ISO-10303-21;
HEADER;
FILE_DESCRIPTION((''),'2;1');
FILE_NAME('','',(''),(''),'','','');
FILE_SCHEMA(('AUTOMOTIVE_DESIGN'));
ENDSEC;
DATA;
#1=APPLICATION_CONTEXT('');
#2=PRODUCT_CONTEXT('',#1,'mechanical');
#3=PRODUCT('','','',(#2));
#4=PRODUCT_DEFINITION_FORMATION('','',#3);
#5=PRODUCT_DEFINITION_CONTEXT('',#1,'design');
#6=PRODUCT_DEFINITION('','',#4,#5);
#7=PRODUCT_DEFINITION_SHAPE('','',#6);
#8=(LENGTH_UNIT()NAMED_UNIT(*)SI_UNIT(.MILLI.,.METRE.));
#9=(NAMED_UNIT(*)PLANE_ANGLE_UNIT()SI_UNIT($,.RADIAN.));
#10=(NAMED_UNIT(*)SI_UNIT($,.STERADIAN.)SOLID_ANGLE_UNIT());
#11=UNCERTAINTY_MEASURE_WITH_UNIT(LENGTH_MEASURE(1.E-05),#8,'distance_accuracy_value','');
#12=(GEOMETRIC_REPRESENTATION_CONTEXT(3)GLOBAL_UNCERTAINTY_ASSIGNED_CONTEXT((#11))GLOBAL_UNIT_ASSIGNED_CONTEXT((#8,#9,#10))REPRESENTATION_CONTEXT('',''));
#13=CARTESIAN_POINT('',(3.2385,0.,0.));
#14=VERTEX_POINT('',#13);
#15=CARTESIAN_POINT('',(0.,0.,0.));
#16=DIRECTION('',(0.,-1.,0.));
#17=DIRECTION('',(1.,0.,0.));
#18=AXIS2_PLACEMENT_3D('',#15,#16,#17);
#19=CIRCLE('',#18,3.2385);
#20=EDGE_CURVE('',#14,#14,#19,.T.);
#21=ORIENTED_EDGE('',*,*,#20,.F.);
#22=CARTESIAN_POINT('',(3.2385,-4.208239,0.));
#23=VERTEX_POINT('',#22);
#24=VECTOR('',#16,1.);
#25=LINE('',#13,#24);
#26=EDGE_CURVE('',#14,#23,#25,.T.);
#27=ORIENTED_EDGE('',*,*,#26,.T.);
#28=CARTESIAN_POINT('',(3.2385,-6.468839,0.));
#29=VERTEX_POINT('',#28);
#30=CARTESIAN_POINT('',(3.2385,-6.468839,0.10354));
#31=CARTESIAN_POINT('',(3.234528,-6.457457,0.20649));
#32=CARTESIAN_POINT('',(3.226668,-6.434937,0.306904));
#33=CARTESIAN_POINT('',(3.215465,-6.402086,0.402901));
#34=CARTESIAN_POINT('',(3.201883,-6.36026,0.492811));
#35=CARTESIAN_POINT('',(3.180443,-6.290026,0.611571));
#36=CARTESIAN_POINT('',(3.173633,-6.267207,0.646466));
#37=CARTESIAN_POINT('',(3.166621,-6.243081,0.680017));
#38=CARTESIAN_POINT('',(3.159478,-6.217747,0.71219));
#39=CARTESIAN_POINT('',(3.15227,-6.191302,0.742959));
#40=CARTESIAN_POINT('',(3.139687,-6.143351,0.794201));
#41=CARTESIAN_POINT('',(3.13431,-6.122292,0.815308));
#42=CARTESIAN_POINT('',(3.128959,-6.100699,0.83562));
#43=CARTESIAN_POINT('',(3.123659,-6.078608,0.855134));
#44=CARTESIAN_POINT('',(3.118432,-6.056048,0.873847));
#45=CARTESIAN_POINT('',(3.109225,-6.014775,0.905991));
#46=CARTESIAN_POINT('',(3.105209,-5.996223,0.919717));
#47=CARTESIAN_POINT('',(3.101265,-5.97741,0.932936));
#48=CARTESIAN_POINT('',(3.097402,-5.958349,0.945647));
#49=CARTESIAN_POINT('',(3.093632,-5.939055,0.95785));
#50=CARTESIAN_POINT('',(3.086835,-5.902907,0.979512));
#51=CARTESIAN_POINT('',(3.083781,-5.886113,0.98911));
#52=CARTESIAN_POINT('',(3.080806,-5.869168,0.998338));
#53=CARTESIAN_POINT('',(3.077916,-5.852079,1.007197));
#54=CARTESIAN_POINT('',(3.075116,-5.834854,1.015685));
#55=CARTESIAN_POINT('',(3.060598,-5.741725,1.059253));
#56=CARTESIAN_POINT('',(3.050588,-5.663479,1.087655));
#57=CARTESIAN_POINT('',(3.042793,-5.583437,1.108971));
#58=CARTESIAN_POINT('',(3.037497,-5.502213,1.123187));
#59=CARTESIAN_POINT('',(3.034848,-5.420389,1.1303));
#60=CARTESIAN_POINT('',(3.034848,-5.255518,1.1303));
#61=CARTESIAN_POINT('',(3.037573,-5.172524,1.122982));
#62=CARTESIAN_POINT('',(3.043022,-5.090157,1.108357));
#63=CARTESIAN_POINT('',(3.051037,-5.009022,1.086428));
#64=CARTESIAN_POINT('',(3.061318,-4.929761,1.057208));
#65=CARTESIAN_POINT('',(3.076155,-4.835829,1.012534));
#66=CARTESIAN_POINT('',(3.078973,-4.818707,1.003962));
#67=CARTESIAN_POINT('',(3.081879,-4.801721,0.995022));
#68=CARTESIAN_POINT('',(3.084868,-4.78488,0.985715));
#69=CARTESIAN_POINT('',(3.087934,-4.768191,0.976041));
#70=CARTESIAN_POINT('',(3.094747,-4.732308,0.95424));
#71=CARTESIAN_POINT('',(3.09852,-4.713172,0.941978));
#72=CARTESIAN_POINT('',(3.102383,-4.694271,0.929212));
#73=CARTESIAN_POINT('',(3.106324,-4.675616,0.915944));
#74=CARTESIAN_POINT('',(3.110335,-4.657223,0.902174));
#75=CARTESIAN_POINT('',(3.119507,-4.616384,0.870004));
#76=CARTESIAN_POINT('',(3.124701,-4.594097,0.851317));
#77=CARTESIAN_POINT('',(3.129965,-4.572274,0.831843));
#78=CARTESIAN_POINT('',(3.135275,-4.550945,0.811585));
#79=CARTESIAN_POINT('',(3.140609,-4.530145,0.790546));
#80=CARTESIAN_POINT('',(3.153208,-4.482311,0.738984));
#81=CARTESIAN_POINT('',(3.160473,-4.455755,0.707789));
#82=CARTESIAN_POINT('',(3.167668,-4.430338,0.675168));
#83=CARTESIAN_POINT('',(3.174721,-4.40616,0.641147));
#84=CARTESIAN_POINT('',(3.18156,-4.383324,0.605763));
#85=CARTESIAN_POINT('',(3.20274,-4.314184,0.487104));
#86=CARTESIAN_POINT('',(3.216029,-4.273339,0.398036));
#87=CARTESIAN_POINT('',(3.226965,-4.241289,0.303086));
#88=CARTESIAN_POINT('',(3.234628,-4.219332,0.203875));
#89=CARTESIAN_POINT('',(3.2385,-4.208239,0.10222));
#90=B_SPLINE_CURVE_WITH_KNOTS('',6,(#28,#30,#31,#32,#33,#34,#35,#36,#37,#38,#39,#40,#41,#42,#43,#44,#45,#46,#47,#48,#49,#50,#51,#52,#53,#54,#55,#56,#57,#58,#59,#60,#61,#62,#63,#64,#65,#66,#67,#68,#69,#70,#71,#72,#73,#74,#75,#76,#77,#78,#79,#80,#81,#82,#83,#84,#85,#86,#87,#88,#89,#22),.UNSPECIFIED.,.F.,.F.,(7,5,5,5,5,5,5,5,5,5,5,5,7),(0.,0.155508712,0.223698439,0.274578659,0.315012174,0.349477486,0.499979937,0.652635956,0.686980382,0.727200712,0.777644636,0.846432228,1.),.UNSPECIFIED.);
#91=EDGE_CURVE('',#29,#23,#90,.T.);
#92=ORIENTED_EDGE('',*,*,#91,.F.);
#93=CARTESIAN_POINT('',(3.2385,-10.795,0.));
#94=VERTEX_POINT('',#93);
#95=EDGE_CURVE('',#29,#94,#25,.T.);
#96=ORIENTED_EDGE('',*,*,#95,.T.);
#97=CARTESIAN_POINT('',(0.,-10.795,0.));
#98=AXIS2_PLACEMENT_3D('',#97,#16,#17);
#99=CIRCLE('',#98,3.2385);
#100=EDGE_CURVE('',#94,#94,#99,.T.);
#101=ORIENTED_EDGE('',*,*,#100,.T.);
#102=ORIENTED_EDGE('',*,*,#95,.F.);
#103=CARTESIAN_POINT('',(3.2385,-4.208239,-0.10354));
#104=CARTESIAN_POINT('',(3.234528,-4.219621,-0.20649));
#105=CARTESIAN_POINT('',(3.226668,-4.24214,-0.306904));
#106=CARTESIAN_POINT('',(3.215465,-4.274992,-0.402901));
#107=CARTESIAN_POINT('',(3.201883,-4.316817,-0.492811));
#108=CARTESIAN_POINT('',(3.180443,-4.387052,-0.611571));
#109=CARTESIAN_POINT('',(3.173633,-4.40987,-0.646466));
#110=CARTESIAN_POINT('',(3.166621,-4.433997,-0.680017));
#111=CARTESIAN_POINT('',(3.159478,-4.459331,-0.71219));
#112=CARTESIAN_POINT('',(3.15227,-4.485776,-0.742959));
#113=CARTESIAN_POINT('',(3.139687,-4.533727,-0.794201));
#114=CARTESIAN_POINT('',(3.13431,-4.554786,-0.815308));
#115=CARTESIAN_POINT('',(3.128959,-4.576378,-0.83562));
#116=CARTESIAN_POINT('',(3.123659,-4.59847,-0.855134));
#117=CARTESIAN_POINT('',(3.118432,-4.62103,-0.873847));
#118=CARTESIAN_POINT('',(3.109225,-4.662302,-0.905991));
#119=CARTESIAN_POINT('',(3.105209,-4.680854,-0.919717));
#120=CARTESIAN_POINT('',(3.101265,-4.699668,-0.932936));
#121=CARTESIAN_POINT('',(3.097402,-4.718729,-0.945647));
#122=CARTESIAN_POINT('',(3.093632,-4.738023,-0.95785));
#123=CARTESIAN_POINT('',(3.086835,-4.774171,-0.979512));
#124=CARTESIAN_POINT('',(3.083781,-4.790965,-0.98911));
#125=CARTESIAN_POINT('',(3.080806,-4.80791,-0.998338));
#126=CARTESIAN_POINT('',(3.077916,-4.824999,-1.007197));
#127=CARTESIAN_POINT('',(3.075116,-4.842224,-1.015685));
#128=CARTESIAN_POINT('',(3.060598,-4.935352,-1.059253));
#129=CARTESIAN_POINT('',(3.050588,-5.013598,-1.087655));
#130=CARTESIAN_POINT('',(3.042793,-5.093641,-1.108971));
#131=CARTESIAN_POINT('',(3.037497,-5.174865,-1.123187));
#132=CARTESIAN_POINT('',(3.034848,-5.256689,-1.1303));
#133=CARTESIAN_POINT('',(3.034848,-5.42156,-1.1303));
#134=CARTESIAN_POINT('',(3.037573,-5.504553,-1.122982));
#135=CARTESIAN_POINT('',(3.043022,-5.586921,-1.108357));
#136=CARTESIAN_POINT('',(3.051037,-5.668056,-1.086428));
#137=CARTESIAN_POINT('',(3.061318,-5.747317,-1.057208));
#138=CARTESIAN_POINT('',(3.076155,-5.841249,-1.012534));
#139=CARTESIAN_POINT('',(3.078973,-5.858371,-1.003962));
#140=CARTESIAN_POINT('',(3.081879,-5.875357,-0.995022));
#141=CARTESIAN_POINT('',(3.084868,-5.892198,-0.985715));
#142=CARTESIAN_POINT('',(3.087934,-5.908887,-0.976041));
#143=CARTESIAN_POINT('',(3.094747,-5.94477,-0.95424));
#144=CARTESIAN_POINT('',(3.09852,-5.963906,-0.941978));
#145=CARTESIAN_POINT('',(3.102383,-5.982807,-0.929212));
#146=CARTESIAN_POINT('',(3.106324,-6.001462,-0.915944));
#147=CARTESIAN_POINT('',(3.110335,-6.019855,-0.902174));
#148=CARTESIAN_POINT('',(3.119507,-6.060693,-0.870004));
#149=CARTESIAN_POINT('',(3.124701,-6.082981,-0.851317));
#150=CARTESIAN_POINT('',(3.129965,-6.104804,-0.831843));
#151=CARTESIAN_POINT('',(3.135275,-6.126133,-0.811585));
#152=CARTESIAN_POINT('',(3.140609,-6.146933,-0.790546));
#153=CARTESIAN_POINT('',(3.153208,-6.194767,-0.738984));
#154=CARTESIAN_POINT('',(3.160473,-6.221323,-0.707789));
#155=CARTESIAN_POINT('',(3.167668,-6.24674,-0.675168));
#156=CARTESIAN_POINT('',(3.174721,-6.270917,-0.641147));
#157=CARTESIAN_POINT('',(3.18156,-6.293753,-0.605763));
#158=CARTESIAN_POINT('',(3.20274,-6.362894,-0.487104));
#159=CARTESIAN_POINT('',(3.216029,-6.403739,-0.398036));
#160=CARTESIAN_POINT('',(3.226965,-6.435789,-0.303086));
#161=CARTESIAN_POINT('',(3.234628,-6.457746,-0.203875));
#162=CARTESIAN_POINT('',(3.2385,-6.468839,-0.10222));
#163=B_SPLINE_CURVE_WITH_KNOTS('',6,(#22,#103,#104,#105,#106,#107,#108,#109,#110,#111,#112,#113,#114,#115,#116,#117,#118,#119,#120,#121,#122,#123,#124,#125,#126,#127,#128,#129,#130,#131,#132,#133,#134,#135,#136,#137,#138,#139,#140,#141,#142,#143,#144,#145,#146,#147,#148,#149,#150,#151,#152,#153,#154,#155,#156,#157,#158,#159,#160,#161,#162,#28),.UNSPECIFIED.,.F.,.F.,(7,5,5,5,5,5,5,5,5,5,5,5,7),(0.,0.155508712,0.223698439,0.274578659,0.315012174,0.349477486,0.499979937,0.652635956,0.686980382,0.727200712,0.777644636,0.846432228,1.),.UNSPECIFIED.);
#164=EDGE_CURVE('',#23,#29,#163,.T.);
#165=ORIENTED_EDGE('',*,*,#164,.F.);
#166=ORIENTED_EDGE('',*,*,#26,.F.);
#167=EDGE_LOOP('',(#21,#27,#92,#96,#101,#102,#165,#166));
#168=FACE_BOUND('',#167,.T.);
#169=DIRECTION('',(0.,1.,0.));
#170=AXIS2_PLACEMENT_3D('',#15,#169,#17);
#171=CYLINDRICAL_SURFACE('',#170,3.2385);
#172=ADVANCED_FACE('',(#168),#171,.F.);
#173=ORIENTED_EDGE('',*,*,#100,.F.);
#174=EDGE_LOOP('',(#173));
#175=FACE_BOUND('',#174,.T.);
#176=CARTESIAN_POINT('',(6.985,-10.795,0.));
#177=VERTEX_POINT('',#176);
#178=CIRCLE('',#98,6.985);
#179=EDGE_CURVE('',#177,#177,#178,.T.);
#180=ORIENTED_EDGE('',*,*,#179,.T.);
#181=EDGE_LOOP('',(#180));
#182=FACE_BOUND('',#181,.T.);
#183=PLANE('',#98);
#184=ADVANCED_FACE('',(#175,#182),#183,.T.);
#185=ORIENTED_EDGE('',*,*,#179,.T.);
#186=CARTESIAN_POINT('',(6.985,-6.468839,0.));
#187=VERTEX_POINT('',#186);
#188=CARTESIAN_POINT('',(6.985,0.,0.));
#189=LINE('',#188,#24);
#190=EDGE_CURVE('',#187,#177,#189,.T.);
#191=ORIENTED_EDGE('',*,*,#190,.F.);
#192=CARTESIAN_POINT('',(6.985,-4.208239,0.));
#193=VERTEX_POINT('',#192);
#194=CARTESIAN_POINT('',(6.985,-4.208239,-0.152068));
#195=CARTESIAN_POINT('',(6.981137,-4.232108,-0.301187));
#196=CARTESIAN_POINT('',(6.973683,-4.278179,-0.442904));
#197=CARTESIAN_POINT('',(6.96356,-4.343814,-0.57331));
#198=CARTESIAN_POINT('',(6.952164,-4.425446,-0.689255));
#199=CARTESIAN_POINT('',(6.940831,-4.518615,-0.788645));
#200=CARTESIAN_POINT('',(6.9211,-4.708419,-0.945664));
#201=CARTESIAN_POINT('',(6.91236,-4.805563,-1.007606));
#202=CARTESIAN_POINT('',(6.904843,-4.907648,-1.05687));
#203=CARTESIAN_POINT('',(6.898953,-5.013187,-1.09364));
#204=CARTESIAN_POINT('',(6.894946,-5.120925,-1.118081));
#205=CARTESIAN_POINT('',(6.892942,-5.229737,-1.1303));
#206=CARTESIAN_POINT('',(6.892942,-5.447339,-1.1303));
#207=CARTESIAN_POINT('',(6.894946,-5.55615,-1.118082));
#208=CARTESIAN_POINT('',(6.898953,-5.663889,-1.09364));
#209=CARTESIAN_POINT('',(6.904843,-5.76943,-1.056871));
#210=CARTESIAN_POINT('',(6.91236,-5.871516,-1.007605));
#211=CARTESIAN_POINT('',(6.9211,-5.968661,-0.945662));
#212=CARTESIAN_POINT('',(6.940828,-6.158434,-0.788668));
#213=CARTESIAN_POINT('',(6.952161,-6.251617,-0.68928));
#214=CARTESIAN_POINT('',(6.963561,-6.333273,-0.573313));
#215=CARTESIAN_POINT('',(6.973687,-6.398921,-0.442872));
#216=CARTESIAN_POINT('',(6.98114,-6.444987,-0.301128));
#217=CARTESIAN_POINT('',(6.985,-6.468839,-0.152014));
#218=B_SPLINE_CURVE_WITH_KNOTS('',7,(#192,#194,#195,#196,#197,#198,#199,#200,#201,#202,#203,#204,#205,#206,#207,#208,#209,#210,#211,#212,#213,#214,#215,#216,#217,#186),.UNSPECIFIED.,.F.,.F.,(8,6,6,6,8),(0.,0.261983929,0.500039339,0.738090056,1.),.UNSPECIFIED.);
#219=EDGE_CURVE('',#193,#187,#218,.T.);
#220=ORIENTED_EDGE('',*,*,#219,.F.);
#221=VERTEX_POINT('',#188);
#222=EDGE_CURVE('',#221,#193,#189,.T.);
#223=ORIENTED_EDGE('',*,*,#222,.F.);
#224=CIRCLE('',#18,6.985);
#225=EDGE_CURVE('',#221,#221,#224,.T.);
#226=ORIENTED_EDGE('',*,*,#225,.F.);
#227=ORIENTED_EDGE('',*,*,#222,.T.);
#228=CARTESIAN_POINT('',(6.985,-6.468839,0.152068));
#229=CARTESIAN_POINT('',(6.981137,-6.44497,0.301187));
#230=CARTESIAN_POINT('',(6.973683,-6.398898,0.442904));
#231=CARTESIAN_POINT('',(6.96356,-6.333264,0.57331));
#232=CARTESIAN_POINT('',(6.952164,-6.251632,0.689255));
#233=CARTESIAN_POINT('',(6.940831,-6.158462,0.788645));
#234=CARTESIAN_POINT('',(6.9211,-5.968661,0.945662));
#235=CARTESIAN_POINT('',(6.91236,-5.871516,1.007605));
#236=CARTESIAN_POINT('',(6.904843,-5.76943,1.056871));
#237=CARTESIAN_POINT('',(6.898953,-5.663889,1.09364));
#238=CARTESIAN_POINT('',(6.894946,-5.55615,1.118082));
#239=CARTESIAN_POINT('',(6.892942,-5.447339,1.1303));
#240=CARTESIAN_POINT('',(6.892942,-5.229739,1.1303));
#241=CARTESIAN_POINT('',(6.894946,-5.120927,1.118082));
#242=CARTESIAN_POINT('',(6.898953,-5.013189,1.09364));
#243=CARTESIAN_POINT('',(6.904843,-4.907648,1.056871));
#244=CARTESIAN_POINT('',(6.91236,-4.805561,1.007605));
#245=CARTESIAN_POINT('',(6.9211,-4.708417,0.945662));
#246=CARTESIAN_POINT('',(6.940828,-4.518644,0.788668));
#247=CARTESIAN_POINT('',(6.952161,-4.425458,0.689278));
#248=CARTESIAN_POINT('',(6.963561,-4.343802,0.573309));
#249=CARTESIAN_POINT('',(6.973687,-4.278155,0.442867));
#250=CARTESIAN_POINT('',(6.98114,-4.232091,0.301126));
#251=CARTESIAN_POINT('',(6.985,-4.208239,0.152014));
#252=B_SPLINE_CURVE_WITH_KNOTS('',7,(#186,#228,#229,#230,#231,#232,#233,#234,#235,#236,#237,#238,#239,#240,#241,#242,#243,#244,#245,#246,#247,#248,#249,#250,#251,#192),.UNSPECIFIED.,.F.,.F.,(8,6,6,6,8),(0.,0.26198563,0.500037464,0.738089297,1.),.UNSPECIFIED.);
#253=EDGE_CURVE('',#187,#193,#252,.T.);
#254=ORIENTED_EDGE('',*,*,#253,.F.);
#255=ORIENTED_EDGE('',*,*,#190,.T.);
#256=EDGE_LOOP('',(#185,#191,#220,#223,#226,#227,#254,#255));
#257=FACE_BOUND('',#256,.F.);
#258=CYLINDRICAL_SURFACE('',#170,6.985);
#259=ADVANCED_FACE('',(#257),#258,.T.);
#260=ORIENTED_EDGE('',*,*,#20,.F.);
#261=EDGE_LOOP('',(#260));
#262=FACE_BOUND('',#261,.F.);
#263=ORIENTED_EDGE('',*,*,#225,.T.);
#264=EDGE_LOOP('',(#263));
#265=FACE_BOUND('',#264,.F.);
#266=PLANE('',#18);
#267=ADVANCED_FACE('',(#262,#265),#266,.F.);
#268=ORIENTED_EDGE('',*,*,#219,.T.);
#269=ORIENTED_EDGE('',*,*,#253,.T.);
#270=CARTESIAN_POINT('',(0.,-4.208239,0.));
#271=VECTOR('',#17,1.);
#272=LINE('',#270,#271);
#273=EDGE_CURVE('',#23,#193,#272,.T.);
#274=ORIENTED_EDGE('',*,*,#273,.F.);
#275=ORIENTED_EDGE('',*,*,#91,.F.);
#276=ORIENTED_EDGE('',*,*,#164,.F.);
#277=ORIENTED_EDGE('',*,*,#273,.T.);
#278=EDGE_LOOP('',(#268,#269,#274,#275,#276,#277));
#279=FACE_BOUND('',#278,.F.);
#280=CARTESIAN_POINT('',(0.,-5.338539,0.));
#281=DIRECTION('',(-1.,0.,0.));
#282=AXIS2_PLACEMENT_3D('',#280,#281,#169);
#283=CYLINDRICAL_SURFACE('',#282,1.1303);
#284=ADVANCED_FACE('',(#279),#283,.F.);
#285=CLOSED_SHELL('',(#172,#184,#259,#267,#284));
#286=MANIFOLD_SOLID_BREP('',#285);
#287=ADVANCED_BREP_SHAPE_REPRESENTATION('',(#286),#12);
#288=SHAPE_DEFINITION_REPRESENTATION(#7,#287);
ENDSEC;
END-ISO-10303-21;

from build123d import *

# Parameters (mm, degrees)
F0_R     = 6.985
F0_R_2   = 3.2385
F1_DEPTH = 10.795
F3_D     = 2.2606
F3_DEPTH = 13.905
F3_TIP   = 0.6791527577


with BuildPart() as f1:
    # F0 (on Front) → F1 (new body)
    with BuildSketch(Plane.XZ):
        Circle(F0_R)
        Circle(F0_R_2, mode=Mode.SUBTRACT)
    extrude(amount=F1_DEPTH)

    # F3 (one way)
    with BuildSketch(Plane(origin=(0, 0, 0), x_dir=(0, 1, 0), z_dir=(-1, 0, 0))):
        with Locations((-5.3385389037, 0)):
            Circle(F3_D / 2)
    extrude(amount=-F3_DEPTH, mode=Mode.SUBTRACT)
    with Locations(Plane(origin=(0, 0, 0), x_dir=(0, 1, 0), z_dir=(-1, 0, 0))):
        with Locations((-5.3385389037, 0)):
            with Locations((0, 0, -(F3_DEPTH + F3_TIP / 2))):  # 118° drill point
                Cone(0, F3_D / 2, F3_TIP, mode=Mode.SUBTRACT)


solid = f1.part
